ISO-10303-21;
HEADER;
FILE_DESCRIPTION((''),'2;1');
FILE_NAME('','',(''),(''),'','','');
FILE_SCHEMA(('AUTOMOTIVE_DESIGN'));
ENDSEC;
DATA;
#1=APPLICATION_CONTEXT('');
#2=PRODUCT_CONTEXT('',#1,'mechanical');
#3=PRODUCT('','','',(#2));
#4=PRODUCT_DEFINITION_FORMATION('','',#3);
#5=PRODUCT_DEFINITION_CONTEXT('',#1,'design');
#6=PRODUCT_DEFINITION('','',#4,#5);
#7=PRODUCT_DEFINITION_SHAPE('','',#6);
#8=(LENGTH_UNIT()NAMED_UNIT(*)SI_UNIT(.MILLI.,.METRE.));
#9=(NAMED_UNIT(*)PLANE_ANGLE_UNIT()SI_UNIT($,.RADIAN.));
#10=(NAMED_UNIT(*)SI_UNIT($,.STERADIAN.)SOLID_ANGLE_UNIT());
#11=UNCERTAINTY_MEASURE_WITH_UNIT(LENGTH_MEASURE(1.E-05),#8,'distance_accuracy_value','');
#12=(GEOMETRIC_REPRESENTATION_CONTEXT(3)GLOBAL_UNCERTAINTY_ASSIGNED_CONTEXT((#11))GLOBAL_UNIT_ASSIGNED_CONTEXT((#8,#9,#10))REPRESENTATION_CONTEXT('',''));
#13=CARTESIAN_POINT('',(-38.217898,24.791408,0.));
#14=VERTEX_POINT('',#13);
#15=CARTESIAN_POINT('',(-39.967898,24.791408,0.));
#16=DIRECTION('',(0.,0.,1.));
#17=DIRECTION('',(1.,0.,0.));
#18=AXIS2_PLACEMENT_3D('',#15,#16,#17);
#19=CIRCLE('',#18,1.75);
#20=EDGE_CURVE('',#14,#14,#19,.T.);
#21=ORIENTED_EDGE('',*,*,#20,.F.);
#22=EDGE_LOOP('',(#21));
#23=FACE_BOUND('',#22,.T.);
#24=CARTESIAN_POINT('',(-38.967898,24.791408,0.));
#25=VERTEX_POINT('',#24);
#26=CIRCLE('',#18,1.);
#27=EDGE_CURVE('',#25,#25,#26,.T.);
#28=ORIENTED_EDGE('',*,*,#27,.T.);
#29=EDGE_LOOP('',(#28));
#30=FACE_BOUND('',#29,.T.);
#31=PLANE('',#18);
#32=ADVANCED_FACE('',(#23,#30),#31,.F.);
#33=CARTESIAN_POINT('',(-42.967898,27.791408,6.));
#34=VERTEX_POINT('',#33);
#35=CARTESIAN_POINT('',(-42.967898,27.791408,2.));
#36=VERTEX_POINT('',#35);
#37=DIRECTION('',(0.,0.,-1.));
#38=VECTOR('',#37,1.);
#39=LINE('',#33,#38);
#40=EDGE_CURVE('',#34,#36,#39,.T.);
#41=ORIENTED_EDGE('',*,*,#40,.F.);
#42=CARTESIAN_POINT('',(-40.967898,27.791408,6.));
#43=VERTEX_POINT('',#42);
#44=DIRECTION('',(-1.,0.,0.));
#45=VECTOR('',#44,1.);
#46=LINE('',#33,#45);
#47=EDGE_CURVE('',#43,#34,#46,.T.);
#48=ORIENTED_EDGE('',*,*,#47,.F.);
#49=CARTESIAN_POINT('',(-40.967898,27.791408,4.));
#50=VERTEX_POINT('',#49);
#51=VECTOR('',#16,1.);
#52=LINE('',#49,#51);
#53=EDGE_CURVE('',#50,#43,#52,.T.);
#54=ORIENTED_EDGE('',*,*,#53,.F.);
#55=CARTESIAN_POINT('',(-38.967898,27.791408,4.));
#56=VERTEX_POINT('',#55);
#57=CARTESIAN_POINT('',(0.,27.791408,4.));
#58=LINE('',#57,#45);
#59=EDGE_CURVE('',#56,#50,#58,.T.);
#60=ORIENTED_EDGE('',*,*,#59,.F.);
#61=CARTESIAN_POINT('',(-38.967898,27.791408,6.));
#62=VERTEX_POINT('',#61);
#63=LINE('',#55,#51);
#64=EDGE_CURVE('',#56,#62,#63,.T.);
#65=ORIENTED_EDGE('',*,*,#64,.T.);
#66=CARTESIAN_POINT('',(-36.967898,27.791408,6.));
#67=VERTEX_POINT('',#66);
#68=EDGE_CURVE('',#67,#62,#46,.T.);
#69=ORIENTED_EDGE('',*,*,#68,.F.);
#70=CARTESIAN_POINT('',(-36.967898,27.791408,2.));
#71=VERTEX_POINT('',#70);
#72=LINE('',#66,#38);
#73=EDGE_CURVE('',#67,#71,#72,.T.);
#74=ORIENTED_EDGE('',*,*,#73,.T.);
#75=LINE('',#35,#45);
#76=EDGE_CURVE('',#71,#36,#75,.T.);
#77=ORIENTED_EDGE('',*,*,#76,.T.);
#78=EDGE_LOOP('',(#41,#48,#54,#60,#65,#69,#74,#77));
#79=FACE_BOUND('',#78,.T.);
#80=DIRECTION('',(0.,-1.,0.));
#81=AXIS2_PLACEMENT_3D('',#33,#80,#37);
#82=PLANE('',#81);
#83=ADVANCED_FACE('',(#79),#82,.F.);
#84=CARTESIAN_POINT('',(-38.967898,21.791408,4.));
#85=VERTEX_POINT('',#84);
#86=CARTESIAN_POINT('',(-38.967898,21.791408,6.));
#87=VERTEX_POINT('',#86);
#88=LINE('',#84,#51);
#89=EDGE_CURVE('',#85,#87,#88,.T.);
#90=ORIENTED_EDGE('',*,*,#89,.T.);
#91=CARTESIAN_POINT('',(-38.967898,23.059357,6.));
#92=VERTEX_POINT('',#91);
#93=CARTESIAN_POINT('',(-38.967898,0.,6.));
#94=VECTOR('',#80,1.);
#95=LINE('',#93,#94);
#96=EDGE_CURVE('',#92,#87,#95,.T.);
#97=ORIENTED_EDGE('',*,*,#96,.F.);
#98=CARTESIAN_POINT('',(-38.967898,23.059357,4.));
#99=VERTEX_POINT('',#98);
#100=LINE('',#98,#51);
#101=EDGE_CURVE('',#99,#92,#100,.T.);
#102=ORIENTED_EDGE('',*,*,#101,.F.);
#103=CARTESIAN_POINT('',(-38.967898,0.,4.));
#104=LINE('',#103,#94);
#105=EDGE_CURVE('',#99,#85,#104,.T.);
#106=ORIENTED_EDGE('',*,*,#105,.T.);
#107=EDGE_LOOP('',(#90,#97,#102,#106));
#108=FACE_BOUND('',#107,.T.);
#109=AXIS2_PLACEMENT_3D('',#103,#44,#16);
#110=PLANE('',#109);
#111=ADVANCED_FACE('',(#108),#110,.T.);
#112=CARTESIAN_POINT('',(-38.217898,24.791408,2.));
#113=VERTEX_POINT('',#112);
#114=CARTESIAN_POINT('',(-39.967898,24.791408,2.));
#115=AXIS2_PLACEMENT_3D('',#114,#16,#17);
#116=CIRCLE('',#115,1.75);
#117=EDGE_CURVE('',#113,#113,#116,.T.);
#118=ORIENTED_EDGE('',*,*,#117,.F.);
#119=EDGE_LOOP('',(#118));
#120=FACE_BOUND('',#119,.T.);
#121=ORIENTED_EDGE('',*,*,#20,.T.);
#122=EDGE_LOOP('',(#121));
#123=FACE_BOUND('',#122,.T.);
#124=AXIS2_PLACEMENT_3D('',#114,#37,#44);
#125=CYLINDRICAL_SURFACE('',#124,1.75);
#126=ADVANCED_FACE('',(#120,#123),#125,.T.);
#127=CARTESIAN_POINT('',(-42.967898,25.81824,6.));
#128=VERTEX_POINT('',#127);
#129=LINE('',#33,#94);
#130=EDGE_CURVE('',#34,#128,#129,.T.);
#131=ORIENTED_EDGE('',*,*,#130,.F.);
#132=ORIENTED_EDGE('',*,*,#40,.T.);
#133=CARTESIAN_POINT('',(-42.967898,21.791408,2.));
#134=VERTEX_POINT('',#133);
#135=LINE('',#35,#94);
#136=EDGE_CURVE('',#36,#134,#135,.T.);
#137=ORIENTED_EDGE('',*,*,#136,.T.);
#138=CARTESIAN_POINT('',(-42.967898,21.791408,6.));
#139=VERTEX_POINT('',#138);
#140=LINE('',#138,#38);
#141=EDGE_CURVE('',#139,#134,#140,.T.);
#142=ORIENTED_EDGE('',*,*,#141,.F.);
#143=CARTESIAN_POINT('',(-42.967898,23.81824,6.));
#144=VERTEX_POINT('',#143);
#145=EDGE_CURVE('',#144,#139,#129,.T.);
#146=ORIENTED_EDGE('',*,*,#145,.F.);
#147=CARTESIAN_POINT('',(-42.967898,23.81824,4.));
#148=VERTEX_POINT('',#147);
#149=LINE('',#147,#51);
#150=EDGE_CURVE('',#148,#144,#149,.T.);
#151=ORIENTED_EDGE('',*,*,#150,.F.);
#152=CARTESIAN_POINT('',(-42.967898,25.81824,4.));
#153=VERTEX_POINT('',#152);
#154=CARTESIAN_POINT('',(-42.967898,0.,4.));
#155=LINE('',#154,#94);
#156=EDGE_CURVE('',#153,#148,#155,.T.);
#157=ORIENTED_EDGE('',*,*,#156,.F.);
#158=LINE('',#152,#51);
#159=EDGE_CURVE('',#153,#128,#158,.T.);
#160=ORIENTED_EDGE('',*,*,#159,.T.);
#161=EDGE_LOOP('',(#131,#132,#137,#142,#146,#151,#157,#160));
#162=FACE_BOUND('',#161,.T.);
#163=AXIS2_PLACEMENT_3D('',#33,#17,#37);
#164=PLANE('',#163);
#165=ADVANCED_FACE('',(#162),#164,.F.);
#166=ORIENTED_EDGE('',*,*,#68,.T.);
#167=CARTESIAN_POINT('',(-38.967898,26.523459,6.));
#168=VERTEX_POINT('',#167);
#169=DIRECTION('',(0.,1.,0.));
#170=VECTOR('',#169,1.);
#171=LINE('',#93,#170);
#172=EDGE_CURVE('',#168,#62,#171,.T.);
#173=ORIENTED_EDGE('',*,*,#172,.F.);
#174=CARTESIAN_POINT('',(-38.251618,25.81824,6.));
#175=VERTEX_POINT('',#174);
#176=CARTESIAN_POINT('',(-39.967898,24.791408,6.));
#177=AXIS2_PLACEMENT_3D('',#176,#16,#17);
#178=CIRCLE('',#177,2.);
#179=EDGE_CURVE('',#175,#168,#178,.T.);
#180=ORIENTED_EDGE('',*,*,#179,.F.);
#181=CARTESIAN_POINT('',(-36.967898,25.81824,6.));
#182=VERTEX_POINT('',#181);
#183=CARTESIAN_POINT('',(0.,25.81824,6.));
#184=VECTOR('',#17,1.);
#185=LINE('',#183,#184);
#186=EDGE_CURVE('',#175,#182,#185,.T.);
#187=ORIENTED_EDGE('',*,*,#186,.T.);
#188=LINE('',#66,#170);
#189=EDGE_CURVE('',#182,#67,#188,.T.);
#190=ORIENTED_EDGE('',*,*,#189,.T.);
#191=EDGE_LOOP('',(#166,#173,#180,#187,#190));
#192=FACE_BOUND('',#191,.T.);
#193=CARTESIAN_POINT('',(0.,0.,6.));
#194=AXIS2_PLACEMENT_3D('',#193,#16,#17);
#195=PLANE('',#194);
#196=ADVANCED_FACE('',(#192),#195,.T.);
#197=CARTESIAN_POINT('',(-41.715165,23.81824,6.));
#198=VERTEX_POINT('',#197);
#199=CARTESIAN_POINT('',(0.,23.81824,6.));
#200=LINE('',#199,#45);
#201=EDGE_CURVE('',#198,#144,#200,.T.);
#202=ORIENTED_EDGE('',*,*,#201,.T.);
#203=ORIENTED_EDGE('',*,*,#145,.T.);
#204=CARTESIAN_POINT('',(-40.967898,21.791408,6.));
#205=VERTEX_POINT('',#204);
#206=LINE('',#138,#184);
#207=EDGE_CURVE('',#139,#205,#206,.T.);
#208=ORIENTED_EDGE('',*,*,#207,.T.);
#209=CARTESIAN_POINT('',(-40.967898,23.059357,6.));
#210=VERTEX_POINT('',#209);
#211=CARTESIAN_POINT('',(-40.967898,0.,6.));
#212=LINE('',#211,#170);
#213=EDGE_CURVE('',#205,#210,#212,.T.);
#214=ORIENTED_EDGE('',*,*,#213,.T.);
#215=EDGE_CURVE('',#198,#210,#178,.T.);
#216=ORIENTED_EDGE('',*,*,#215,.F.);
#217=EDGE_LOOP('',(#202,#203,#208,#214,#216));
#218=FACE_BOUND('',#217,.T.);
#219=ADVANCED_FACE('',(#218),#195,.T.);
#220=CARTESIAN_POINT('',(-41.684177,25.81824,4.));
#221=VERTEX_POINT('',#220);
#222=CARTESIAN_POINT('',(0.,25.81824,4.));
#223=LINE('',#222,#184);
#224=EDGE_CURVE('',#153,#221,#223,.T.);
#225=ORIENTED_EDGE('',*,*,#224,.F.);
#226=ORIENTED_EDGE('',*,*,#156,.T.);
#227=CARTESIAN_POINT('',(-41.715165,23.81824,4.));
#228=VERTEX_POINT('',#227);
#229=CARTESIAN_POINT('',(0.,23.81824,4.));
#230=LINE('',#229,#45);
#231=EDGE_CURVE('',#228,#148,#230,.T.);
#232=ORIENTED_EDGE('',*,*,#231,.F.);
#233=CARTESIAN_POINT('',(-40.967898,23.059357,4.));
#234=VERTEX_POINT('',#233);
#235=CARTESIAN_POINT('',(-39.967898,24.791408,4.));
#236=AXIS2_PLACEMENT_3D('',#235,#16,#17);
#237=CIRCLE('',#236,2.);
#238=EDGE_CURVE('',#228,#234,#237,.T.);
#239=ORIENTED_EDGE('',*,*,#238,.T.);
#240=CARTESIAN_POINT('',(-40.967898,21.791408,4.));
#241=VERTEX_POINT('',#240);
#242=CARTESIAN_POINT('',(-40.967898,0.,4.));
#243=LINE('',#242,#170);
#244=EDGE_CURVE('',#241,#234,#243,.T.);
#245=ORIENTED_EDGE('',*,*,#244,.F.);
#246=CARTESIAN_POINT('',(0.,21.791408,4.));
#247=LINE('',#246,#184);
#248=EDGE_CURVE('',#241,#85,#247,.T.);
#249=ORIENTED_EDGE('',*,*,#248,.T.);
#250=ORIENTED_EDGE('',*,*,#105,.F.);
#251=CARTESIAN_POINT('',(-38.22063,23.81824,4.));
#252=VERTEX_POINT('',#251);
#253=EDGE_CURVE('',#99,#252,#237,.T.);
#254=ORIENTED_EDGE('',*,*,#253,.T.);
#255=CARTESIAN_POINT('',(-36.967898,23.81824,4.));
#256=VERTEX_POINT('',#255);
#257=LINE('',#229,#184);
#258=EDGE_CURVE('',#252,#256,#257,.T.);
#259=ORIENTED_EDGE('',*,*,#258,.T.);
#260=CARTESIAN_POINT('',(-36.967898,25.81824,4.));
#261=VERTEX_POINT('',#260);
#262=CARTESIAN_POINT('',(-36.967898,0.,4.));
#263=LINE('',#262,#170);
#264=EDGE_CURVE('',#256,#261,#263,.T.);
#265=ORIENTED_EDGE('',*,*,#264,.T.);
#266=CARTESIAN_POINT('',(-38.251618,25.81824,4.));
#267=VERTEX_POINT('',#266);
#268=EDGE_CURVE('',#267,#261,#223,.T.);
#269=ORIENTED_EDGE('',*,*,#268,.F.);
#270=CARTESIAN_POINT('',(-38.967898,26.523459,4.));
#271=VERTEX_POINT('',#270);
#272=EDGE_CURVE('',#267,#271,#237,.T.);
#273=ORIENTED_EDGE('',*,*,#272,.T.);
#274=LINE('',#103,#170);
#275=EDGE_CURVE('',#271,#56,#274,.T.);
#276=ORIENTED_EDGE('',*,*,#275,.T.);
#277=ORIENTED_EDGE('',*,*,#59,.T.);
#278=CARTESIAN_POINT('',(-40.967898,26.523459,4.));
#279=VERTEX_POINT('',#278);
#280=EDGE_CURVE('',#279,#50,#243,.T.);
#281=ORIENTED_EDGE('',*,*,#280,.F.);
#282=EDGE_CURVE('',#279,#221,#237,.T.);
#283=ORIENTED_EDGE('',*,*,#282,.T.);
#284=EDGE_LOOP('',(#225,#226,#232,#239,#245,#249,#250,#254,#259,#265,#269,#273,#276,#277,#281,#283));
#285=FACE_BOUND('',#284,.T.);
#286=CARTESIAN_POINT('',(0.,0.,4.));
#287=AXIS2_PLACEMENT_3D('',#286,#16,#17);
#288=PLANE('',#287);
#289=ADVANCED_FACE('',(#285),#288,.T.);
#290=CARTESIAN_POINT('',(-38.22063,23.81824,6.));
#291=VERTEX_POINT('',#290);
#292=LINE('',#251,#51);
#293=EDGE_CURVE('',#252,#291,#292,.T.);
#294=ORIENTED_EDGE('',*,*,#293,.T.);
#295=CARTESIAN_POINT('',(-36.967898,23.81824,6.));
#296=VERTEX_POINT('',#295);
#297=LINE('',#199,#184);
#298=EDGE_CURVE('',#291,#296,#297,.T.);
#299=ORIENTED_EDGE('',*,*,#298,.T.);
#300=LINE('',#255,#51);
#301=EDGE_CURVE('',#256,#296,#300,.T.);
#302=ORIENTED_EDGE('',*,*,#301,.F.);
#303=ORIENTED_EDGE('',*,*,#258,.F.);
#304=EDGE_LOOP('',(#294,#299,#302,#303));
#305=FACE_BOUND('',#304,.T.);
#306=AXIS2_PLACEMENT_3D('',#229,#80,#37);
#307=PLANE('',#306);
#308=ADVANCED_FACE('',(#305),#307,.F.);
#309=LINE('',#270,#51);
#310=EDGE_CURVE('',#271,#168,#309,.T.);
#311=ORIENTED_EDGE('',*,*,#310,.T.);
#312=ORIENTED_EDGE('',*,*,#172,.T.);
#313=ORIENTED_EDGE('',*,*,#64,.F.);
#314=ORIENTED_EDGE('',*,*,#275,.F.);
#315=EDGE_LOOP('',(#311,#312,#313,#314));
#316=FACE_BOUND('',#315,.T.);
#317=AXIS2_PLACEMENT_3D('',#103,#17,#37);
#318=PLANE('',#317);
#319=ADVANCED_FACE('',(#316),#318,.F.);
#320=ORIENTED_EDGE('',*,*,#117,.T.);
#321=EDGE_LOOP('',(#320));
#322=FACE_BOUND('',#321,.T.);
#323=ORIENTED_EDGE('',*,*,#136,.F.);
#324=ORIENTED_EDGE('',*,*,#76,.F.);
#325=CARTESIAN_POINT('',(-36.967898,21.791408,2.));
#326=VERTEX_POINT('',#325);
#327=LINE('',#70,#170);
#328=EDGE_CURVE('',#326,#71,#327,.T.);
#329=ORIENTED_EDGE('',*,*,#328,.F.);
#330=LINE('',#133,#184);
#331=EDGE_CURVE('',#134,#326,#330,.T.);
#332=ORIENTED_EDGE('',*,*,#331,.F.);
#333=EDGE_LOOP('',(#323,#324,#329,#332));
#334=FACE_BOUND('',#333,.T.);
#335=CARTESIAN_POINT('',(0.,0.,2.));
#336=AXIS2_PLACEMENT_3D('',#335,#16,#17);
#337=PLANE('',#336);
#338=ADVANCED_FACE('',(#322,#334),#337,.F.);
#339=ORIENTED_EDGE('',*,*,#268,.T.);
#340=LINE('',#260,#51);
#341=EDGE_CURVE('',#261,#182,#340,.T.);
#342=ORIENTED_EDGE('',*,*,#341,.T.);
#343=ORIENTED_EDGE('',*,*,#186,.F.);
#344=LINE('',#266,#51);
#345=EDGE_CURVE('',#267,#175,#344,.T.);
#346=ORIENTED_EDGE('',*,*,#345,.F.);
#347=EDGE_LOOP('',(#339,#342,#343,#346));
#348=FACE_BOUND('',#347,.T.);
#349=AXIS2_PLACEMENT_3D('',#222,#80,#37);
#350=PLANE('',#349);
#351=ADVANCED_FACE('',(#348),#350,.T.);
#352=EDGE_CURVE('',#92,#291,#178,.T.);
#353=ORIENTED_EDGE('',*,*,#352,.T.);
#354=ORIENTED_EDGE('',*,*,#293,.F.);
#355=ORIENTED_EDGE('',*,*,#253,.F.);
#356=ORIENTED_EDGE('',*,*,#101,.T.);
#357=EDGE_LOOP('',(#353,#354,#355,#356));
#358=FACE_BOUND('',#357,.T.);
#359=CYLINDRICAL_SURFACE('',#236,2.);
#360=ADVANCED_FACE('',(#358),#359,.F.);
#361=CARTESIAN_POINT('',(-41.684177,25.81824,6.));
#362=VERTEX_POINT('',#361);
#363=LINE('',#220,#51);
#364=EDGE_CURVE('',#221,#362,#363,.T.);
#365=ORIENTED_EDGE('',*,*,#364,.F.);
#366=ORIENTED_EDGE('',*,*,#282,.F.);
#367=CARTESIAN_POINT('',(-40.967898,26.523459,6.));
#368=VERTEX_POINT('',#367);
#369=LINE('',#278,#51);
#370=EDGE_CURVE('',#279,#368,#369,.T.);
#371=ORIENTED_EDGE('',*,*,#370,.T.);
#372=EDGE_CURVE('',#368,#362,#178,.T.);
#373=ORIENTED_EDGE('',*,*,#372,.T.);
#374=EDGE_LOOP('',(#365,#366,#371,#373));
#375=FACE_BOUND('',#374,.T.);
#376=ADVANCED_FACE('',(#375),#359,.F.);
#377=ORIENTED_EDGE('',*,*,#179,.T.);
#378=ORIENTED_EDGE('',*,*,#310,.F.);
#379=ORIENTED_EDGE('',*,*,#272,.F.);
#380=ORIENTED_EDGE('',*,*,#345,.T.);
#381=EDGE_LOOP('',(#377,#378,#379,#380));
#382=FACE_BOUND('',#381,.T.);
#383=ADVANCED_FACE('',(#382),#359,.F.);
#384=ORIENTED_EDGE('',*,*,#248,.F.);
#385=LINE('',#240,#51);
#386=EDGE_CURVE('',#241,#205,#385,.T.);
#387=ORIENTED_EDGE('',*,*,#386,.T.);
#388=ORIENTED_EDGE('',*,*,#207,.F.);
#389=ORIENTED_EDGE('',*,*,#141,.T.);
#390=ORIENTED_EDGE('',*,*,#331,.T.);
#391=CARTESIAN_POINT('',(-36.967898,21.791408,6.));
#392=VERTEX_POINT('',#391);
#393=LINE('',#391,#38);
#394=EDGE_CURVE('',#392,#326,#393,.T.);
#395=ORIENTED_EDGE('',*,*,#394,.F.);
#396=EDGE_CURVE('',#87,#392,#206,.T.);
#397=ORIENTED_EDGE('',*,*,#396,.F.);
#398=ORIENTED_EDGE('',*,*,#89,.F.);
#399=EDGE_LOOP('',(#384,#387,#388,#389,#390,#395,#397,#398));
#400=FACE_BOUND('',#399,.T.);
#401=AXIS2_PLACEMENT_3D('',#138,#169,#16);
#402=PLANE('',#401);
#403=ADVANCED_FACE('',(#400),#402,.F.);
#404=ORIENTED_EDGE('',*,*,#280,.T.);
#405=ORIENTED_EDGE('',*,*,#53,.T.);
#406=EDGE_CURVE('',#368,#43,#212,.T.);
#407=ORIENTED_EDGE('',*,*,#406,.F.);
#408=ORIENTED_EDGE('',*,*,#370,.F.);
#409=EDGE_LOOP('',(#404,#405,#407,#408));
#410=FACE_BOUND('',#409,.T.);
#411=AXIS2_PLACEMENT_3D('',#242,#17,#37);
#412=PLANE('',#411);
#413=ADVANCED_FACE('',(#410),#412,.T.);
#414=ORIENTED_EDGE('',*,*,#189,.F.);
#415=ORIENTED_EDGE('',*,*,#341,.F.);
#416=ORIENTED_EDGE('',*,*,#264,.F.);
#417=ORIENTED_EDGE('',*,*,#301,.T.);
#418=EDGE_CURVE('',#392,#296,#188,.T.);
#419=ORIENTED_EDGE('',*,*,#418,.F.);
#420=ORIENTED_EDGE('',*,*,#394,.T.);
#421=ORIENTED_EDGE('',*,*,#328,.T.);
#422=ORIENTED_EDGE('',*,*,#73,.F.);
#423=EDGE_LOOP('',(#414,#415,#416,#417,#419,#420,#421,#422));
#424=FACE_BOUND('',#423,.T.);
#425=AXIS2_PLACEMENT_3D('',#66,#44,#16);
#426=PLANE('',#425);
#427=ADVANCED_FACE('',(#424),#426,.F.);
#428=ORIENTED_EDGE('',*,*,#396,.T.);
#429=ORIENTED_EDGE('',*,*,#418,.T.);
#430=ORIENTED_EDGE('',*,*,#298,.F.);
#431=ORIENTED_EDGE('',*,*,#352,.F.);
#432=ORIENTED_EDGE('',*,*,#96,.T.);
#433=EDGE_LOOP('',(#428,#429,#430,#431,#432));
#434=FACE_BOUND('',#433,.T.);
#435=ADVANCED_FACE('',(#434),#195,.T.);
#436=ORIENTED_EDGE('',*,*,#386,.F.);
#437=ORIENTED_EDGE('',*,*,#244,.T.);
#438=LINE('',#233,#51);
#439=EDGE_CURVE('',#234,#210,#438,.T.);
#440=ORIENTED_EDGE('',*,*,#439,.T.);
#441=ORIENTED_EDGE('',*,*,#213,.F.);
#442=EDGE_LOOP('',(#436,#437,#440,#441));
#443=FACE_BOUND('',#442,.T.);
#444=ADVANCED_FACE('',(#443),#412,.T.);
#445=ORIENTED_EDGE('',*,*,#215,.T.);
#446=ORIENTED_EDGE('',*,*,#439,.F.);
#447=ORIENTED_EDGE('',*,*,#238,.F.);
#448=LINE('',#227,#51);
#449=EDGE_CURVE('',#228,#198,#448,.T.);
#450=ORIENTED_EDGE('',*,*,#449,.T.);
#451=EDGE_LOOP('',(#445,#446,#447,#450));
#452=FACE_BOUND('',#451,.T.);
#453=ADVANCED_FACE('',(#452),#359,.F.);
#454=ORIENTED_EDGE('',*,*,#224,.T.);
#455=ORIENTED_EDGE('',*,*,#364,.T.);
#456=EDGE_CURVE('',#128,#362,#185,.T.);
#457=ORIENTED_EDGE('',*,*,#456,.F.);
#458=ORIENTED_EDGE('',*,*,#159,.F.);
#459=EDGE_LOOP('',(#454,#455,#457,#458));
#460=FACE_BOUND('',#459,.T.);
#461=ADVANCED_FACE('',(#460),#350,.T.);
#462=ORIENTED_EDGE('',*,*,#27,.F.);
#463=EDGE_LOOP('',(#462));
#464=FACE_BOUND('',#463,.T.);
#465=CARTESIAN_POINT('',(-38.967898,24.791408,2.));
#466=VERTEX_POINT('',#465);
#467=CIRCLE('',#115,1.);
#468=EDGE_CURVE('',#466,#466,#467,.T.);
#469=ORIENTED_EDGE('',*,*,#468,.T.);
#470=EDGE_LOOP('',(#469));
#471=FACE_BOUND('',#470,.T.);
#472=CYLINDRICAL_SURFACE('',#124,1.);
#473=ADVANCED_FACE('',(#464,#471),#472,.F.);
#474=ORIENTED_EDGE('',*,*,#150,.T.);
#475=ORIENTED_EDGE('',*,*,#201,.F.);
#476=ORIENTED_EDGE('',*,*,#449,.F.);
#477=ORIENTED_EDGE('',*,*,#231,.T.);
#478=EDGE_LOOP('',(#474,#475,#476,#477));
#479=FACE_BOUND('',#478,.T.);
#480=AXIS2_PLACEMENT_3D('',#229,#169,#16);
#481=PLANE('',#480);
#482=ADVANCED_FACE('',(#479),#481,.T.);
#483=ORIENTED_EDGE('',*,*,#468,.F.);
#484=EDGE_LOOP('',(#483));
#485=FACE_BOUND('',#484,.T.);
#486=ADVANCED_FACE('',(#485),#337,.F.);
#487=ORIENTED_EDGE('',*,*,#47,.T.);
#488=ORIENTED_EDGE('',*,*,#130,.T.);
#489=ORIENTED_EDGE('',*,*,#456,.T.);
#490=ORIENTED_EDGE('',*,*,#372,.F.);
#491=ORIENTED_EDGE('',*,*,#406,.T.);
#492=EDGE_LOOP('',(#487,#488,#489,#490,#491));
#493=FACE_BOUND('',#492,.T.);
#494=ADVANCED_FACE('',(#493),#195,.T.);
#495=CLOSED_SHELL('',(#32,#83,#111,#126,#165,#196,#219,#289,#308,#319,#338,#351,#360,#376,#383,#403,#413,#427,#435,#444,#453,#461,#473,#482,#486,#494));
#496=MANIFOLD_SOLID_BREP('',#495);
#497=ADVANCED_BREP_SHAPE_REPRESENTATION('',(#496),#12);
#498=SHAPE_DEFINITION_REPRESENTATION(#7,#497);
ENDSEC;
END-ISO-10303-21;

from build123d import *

# Parameters (mm, degrees)
SKETCH1_R           = 1.75
SKETCH1_R_2         = 1
BOSS_EXTRUDE1_DEPTH = 2
SKETCH4_W           = 6
SKETCH4_H           = 6
BOSS_EXTRUDE2_DEPTH = 4
SKETCH5_R           = 2
CUT_EXTRUDE4_DEPTH  = 2


with BuildPart() as part:
    # Sketch1 → Boss-Extrude1 (new body)
    with BuildSketch(Plane.XY):
        with Locations((-39.967897534, 24.79140814)):
            Circle(SKETCH1_R)
        with Locations((-39.967897534, 24.79140814)):
            Circle(SKETCH1_R_2, mode=Mode.SUBTRACT)
    extrude(amount=BOSS_EXTRUDE1_DEPTH)

    # Sketch4 → Boss-Extrude2 (add)
    with BuildSketch(Plane.XY.offset(2)):
        with Locations((-39.967897534, 24.79140814)):
            Rectangle(SKETCH4_W, SKETCH4_H)
    extrude(amount=BOSS_EXTRUDE2_DEPTH)

    # Sketch5 → Cut-Extrude4 (cut)
    with BuildSketch(Plane.XY.offset(6)):
        with Locations((-39.967897534, 24.79140814)):
            Circle(SKETCH5_R)
        Polygon((-36.967897534, 25.818240491), (-36.967897534, 23.818240491), (-39.967897534, 23.818240491), (-42.967897534, 23.818240491), (-42.967897534, 25.818240491), (-39.967897534, 25.818240491), align=None)
        Polygon((-40.967897534, 24.79140814), (-40.967897534, 27.79140814), (-38.967897534, 27.79140814), (-38.967897534, 24.79140814), (-38.967897534, 21.79140814), (-40.967897534, 21.79140814), align=None)
    extrude(amount=-CUT_EXTRUDE4_DEPTH, mode=Mode.SUBTRACT)


solid = part.part
